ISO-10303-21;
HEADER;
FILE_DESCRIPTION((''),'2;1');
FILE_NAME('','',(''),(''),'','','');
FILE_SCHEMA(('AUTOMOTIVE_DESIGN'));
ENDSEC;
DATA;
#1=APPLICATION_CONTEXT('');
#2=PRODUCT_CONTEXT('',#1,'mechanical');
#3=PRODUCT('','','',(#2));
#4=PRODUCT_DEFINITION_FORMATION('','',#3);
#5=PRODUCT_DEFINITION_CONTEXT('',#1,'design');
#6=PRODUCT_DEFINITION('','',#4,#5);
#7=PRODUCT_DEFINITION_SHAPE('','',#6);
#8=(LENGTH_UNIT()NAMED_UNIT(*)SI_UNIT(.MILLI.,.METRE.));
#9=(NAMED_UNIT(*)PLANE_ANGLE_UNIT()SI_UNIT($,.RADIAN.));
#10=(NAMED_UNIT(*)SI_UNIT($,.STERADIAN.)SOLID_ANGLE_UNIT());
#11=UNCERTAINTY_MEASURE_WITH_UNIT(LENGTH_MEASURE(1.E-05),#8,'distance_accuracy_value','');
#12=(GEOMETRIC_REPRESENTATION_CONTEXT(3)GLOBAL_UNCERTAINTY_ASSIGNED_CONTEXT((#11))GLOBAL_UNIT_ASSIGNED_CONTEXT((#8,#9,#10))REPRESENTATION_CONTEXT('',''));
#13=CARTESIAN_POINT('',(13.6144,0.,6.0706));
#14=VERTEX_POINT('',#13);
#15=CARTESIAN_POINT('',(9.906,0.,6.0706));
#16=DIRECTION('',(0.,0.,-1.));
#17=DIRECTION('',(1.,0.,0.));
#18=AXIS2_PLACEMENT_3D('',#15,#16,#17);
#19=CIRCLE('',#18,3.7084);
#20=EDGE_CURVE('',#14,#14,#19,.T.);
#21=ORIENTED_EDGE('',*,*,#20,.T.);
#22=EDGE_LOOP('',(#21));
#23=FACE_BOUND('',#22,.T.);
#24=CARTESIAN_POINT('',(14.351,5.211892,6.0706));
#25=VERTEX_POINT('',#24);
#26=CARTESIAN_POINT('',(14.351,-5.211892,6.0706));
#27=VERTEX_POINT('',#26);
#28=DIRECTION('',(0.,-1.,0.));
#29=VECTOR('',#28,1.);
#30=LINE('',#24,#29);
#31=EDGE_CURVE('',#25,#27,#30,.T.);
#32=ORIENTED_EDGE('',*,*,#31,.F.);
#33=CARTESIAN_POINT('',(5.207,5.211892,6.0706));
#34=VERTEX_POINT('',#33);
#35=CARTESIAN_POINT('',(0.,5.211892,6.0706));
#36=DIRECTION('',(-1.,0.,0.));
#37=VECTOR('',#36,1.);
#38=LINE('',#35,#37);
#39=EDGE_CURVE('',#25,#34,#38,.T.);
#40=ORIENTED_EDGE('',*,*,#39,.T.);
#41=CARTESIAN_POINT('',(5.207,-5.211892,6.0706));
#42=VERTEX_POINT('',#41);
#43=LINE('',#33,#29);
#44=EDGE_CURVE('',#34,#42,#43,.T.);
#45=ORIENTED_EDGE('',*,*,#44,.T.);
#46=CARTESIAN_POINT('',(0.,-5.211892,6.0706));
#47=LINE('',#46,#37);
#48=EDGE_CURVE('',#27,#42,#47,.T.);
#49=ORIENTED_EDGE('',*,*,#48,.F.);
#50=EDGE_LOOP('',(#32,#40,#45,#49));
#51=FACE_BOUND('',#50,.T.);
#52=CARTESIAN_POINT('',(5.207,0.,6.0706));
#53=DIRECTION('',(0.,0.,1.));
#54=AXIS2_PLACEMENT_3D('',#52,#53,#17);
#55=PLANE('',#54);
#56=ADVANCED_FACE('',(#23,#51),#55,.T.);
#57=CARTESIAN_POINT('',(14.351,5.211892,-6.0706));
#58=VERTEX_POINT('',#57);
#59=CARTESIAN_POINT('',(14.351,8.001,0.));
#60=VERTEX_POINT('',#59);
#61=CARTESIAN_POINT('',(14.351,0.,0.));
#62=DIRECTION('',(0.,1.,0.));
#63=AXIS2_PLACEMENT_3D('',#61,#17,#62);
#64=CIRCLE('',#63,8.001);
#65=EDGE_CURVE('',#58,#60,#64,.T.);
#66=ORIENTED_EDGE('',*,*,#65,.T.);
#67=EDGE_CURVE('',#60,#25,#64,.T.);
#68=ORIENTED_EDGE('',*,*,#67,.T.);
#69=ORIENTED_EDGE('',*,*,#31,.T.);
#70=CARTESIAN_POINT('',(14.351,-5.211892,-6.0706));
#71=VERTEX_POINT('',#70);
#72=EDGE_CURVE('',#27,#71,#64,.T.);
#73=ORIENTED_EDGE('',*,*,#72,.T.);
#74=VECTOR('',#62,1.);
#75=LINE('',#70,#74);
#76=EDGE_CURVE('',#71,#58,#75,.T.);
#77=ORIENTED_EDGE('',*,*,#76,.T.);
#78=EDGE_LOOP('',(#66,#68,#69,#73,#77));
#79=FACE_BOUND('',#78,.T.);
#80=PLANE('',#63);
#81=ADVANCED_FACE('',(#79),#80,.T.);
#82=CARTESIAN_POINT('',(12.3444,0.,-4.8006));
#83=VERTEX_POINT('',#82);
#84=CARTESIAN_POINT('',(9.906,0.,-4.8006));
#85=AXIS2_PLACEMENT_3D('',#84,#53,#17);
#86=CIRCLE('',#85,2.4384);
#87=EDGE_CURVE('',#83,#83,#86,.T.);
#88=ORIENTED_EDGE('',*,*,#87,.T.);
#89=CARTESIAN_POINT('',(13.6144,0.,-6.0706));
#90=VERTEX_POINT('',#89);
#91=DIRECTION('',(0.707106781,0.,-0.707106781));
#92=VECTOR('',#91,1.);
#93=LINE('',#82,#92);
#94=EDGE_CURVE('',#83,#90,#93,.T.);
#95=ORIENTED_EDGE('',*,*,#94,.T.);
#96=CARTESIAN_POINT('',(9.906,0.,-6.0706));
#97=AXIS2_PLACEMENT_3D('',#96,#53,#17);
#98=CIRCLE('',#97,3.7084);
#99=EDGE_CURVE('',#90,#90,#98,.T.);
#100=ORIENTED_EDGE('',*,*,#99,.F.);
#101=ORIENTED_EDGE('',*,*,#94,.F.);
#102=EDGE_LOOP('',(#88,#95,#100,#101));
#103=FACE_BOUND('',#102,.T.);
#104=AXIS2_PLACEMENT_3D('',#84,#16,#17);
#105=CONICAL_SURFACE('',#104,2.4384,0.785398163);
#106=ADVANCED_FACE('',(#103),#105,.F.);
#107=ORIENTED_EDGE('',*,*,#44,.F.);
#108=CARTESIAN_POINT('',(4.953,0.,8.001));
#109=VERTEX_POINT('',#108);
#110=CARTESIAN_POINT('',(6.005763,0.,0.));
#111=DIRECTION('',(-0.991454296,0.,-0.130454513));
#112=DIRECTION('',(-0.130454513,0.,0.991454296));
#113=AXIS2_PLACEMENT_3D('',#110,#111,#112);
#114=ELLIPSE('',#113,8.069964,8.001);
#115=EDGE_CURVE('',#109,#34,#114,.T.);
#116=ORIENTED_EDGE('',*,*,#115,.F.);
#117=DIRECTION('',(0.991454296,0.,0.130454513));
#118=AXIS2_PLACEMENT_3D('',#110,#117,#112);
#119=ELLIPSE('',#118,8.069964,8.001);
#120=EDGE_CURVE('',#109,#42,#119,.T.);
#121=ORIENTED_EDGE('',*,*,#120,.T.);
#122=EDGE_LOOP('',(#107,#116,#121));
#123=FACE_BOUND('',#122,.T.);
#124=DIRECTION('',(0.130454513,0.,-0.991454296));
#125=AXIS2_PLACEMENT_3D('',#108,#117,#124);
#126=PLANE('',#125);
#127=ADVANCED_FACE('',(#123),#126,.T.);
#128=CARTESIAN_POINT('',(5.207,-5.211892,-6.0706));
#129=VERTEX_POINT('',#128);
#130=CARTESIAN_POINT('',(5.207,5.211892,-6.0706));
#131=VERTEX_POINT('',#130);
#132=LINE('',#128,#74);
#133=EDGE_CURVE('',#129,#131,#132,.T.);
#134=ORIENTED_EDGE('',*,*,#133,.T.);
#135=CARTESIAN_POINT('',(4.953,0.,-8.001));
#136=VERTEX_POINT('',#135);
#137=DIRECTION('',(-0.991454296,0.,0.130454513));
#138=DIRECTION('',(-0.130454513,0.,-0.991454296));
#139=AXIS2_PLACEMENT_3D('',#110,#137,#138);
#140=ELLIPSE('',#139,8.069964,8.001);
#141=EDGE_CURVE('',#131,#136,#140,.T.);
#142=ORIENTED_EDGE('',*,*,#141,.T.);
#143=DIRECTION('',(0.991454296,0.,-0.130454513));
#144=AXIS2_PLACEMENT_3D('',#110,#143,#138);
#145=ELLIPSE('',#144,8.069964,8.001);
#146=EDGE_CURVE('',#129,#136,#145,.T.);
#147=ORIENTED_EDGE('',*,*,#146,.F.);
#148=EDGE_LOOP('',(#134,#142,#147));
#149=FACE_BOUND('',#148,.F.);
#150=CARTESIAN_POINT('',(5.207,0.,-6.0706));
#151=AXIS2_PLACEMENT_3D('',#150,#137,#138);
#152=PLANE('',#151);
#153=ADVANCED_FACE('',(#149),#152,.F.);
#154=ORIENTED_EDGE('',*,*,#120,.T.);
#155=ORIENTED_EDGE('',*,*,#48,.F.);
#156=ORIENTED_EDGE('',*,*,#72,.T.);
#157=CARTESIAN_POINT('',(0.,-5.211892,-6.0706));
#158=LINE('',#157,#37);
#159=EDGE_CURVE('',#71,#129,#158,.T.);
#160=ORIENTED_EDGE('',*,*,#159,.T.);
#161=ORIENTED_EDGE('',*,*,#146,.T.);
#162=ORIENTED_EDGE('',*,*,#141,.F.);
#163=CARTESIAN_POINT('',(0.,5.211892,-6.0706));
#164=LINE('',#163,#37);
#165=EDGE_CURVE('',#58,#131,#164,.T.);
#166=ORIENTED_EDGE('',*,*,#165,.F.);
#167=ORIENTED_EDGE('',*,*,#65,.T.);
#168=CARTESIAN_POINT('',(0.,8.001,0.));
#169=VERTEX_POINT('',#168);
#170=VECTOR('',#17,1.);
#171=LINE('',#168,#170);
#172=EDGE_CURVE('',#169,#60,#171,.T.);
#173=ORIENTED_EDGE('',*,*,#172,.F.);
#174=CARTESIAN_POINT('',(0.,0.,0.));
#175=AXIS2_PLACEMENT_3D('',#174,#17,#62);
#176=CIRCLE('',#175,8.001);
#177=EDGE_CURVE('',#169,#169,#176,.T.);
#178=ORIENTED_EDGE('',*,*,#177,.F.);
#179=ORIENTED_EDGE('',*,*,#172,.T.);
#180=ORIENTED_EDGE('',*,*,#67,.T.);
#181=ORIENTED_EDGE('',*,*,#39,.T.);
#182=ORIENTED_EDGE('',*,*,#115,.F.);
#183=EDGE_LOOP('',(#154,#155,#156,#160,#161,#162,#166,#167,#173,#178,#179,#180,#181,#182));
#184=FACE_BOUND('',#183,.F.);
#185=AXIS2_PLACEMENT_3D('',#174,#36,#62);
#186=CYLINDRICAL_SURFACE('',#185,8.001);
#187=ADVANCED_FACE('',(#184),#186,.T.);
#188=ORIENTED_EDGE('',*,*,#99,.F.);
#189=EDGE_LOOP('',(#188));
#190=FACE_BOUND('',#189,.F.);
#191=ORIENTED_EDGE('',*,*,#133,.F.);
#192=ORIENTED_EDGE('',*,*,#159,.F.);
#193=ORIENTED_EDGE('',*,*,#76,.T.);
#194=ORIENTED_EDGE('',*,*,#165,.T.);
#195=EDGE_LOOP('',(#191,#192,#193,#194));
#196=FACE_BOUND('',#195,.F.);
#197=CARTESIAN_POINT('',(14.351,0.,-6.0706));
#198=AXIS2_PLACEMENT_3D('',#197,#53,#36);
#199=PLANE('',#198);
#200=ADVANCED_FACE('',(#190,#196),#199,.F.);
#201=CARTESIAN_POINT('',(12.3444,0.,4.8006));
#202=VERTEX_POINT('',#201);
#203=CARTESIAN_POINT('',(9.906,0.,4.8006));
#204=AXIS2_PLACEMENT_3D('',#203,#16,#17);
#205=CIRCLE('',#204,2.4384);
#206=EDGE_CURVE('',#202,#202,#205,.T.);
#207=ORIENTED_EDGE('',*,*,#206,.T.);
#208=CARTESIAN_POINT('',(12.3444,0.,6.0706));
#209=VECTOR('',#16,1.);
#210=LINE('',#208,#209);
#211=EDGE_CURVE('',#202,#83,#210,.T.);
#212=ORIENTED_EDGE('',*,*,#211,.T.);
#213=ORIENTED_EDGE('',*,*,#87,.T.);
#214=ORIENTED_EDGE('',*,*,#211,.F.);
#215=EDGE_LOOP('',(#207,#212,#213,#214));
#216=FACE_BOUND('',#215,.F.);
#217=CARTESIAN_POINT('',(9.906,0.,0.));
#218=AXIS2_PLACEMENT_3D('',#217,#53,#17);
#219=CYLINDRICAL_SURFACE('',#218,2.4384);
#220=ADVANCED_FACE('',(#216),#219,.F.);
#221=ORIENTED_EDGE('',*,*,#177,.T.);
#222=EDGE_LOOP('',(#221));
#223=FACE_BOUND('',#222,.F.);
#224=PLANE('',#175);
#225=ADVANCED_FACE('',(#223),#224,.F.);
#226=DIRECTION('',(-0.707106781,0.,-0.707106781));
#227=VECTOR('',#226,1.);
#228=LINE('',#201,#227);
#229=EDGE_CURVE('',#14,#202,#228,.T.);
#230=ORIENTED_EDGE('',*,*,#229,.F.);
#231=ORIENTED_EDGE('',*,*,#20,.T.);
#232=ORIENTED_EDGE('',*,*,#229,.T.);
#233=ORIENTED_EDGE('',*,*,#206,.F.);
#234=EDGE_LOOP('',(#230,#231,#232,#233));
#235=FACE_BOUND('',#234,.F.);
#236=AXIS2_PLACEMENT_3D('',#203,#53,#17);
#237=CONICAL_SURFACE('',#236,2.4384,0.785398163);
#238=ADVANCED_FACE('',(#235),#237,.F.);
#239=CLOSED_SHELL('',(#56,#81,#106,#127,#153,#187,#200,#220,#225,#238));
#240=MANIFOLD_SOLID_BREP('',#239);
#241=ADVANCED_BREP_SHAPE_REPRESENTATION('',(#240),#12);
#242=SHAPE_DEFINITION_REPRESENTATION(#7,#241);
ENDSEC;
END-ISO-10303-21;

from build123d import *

# Parameters (mm, degrees)
F0_R          = 8.001
F1_DEPTH      = 14.351
F3_DEPTH      = 25.4
F3_DEPTH_BACK = 25.4
F4_R          = 2.4384
F5_DEPTH      = 25.4
F5_DEPTH_BACK = 25.4
F6_SIZE       = 1.27


with BuildPart() as f1:
    # F0 (on Right) → F1 (new body)
    with BuildSketch(Plane.YZ):
        Circle(F0_R)
    extrude(amount=F1_DEPTH)

    # F2 (on Front) → F3 (cut, two sides)
    with BuildSketch(Plane.XZ) as f3_sk:
        Polygon((14.351, 8.001), (4.953, 8.001), (5.207, 6.0706), (14.351, 6.0706), align=None)
        Polygon((4.953, -8.001), (14.351, -8.001), (14.351, -6.0706), (5.207, -6.0706), align=None)
    extrude(amount=-F3_DEPTH, mode=Mode.SUBTRACT)
    extrude(f3_sk.sketch, amount=F3_DEPTH_BACK, mode=Mode.SUBTRACT)

    # F4 (on Top) → F5 (cut, two sides)
    with BuildSketch(Plane.XY) as f5_sk:
        with Locations((9.906, 0)):
            Circle(F4_R)
    extrude(amount=-F5_DEPTH, mode=Mode.SUBTRACT)
    extrude(f5_sk.sketch, amount=F5_DEPTH_BACK, mode=Mode.SUBTRACT)

    # F6
    f6_edges = [f1.edges().sort_by_distance(p)[0] for p in [
        (7.4676, 0, 6.0706),
        (7.4676, 0, -6.0706),
    ]]
    chamfer(f6_edges, length=F6_SIZE)


solid = f1.part
